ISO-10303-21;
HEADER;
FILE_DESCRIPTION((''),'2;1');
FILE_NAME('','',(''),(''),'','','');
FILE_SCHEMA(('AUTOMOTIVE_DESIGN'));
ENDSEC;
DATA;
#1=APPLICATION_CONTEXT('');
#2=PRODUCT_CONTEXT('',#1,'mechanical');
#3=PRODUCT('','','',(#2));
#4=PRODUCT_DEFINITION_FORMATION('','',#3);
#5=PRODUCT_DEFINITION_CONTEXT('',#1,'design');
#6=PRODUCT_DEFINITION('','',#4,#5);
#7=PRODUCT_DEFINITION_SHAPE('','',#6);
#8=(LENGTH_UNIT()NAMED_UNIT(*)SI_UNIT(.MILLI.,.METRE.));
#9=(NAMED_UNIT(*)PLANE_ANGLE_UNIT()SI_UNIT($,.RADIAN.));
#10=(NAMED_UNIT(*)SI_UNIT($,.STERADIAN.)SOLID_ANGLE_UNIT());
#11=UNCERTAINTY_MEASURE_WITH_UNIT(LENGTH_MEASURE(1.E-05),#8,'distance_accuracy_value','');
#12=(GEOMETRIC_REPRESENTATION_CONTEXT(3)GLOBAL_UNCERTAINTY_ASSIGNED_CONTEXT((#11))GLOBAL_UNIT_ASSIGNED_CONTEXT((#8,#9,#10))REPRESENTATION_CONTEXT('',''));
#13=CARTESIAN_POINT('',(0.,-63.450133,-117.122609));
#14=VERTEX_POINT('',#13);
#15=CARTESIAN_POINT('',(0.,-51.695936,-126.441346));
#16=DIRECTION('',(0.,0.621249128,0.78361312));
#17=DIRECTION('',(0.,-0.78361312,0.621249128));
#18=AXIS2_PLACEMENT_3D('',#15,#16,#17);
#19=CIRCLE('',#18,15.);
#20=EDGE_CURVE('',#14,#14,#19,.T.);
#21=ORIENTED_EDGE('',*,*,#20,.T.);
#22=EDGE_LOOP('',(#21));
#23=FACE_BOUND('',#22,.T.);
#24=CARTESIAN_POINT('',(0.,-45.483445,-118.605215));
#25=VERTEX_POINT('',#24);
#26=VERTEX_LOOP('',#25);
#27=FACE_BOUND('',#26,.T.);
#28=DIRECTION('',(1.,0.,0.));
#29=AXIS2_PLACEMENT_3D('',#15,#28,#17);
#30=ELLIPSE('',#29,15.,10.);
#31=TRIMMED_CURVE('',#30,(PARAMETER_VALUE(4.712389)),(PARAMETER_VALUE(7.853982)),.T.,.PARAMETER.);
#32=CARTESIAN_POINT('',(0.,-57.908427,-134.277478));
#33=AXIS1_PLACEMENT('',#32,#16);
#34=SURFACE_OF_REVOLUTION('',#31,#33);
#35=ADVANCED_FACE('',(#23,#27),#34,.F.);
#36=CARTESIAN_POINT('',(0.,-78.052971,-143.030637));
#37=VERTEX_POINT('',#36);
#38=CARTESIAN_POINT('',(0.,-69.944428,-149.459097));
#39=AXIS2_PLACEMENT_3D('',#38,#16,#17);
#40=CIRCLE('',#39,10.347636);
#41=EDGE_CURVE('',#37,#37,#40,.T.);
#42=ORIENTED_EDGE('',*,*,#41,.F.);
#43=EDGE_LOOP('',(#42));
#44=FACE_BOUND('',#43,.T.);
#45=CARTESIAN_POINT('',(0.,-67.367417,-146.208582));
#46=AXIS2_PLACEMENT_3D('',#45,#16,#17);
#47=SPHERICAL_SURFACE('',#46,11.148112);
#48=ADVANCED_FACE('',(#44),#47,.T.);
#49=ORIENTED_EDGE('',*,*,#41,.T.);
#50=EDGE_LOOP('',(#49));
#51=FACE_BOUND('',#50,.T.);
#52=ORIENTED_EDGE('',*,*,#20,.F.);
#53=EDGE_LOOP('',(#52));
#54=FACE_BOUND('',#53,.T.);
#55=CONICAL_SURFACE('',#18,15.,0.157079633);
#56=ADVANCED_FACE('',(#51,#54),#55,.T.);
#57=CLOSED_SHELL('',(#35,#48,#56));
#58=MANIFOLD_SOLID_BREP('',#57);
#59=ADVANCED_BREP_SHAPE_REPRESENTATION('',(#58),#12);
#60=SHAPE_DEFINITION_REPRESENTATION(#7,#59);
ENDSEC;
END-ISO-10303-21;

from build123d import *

# Parameters (mm, degrees)
SKETCH1_R           = 15
BOSS_EXTRUDE1_DEPTH = 29.373871
BOSS_EXTRUDE1_DRAFT = -9
DOME1_FACE_RADIUS   = 15
DOME1_HEIGHT        = 10
DOME2_FACE_RADIUS   = 10.347635881
DOME2_HEIGHT        = 7


with BuildPart() as part:
    # Sketch1 → Boss-Extrude1 (with draft: the straight prism first)
    with BuildSketch(Plane(origin=(0, -51.695936183, -126.441346307), x_dir=(1, 0, 0), z_dir=(0, 0.6212491278761147, 0.7836131195386961))):
        Circle(SKETCH1_R)
    extrude(amount=-BOSS_EXTRUDE1_DEPTH)
    # Boss-Extrude1: the draft: its side faces are tilted about the plane it starts from
    boss_extrude1_sides = [part.faces().sort_by_distance(p)[0] for p in [
        (-15, -60.820182053, -137.950221651),
    ]]
    draft(boss_extrude1_sides, Plane(origin=(0, -51.695936183, -126.441346307), x_dir=(1, 0, 0), z_dir=(0, 0.6212491278761147, 0.7836131195386961)), BOSS_EXTRUDE1_DRAFT)

    # Dome1: an elliptical dome of height H over a round flat face of radius A is half a spheroid: the quarter ellipse of half axes A and H revolved about the face's axis
    with BuildSketch(Plane((0, -51.695936183, -126.441346307), x_dir=(0, 0.7836131195388694, -0.6212491278758964), z_dir=(1, 0, 0)), mode=Mode.PRIVATE) as dome1_quarter:
        Ellipse(DOME1_FACE_RADIUS, DOME1_HEIGHT)
        Rectangle(DOME1_FACE_RADIUS, DOME1_HEIGHT, align=(Align.MIN, Align.MIN), mode=Mode.INTERSECT)
    revolve(dome1_quarter.sketch, axis=Axis((0, -51.695936183, -126.441346307), (0, 0.621249127876, 0.783613119539)))

    # Dome2: a dome of height H over a round flat face of radius A is a cap of a sphere of radius (A * A + H * H) / (2 * H)
    dome2_r = (DOME2_FACE_RADIUS * DOME2_FACE_RADIUS + DOME2_HEIGHT * DOME2_HEIGHT) / (2 * DOME2_HEIGHT)
    dome2_base = Plane((0, -69.944427924, -149.459096995), z_dir=(0, -0.621249127876, -0.783613119539))
    with Locations(dome2_base.offset(DOME2_HEIGHT - dome2_r)):
        dome2_ball = Sphere(dome2_r, mode=Mode.PRIVATE)
    add(split(dome2_ball, bisect_by=dome2_base, keep=Keep.TOP, mode=Mode.PRIVATE))


solid = part.part
